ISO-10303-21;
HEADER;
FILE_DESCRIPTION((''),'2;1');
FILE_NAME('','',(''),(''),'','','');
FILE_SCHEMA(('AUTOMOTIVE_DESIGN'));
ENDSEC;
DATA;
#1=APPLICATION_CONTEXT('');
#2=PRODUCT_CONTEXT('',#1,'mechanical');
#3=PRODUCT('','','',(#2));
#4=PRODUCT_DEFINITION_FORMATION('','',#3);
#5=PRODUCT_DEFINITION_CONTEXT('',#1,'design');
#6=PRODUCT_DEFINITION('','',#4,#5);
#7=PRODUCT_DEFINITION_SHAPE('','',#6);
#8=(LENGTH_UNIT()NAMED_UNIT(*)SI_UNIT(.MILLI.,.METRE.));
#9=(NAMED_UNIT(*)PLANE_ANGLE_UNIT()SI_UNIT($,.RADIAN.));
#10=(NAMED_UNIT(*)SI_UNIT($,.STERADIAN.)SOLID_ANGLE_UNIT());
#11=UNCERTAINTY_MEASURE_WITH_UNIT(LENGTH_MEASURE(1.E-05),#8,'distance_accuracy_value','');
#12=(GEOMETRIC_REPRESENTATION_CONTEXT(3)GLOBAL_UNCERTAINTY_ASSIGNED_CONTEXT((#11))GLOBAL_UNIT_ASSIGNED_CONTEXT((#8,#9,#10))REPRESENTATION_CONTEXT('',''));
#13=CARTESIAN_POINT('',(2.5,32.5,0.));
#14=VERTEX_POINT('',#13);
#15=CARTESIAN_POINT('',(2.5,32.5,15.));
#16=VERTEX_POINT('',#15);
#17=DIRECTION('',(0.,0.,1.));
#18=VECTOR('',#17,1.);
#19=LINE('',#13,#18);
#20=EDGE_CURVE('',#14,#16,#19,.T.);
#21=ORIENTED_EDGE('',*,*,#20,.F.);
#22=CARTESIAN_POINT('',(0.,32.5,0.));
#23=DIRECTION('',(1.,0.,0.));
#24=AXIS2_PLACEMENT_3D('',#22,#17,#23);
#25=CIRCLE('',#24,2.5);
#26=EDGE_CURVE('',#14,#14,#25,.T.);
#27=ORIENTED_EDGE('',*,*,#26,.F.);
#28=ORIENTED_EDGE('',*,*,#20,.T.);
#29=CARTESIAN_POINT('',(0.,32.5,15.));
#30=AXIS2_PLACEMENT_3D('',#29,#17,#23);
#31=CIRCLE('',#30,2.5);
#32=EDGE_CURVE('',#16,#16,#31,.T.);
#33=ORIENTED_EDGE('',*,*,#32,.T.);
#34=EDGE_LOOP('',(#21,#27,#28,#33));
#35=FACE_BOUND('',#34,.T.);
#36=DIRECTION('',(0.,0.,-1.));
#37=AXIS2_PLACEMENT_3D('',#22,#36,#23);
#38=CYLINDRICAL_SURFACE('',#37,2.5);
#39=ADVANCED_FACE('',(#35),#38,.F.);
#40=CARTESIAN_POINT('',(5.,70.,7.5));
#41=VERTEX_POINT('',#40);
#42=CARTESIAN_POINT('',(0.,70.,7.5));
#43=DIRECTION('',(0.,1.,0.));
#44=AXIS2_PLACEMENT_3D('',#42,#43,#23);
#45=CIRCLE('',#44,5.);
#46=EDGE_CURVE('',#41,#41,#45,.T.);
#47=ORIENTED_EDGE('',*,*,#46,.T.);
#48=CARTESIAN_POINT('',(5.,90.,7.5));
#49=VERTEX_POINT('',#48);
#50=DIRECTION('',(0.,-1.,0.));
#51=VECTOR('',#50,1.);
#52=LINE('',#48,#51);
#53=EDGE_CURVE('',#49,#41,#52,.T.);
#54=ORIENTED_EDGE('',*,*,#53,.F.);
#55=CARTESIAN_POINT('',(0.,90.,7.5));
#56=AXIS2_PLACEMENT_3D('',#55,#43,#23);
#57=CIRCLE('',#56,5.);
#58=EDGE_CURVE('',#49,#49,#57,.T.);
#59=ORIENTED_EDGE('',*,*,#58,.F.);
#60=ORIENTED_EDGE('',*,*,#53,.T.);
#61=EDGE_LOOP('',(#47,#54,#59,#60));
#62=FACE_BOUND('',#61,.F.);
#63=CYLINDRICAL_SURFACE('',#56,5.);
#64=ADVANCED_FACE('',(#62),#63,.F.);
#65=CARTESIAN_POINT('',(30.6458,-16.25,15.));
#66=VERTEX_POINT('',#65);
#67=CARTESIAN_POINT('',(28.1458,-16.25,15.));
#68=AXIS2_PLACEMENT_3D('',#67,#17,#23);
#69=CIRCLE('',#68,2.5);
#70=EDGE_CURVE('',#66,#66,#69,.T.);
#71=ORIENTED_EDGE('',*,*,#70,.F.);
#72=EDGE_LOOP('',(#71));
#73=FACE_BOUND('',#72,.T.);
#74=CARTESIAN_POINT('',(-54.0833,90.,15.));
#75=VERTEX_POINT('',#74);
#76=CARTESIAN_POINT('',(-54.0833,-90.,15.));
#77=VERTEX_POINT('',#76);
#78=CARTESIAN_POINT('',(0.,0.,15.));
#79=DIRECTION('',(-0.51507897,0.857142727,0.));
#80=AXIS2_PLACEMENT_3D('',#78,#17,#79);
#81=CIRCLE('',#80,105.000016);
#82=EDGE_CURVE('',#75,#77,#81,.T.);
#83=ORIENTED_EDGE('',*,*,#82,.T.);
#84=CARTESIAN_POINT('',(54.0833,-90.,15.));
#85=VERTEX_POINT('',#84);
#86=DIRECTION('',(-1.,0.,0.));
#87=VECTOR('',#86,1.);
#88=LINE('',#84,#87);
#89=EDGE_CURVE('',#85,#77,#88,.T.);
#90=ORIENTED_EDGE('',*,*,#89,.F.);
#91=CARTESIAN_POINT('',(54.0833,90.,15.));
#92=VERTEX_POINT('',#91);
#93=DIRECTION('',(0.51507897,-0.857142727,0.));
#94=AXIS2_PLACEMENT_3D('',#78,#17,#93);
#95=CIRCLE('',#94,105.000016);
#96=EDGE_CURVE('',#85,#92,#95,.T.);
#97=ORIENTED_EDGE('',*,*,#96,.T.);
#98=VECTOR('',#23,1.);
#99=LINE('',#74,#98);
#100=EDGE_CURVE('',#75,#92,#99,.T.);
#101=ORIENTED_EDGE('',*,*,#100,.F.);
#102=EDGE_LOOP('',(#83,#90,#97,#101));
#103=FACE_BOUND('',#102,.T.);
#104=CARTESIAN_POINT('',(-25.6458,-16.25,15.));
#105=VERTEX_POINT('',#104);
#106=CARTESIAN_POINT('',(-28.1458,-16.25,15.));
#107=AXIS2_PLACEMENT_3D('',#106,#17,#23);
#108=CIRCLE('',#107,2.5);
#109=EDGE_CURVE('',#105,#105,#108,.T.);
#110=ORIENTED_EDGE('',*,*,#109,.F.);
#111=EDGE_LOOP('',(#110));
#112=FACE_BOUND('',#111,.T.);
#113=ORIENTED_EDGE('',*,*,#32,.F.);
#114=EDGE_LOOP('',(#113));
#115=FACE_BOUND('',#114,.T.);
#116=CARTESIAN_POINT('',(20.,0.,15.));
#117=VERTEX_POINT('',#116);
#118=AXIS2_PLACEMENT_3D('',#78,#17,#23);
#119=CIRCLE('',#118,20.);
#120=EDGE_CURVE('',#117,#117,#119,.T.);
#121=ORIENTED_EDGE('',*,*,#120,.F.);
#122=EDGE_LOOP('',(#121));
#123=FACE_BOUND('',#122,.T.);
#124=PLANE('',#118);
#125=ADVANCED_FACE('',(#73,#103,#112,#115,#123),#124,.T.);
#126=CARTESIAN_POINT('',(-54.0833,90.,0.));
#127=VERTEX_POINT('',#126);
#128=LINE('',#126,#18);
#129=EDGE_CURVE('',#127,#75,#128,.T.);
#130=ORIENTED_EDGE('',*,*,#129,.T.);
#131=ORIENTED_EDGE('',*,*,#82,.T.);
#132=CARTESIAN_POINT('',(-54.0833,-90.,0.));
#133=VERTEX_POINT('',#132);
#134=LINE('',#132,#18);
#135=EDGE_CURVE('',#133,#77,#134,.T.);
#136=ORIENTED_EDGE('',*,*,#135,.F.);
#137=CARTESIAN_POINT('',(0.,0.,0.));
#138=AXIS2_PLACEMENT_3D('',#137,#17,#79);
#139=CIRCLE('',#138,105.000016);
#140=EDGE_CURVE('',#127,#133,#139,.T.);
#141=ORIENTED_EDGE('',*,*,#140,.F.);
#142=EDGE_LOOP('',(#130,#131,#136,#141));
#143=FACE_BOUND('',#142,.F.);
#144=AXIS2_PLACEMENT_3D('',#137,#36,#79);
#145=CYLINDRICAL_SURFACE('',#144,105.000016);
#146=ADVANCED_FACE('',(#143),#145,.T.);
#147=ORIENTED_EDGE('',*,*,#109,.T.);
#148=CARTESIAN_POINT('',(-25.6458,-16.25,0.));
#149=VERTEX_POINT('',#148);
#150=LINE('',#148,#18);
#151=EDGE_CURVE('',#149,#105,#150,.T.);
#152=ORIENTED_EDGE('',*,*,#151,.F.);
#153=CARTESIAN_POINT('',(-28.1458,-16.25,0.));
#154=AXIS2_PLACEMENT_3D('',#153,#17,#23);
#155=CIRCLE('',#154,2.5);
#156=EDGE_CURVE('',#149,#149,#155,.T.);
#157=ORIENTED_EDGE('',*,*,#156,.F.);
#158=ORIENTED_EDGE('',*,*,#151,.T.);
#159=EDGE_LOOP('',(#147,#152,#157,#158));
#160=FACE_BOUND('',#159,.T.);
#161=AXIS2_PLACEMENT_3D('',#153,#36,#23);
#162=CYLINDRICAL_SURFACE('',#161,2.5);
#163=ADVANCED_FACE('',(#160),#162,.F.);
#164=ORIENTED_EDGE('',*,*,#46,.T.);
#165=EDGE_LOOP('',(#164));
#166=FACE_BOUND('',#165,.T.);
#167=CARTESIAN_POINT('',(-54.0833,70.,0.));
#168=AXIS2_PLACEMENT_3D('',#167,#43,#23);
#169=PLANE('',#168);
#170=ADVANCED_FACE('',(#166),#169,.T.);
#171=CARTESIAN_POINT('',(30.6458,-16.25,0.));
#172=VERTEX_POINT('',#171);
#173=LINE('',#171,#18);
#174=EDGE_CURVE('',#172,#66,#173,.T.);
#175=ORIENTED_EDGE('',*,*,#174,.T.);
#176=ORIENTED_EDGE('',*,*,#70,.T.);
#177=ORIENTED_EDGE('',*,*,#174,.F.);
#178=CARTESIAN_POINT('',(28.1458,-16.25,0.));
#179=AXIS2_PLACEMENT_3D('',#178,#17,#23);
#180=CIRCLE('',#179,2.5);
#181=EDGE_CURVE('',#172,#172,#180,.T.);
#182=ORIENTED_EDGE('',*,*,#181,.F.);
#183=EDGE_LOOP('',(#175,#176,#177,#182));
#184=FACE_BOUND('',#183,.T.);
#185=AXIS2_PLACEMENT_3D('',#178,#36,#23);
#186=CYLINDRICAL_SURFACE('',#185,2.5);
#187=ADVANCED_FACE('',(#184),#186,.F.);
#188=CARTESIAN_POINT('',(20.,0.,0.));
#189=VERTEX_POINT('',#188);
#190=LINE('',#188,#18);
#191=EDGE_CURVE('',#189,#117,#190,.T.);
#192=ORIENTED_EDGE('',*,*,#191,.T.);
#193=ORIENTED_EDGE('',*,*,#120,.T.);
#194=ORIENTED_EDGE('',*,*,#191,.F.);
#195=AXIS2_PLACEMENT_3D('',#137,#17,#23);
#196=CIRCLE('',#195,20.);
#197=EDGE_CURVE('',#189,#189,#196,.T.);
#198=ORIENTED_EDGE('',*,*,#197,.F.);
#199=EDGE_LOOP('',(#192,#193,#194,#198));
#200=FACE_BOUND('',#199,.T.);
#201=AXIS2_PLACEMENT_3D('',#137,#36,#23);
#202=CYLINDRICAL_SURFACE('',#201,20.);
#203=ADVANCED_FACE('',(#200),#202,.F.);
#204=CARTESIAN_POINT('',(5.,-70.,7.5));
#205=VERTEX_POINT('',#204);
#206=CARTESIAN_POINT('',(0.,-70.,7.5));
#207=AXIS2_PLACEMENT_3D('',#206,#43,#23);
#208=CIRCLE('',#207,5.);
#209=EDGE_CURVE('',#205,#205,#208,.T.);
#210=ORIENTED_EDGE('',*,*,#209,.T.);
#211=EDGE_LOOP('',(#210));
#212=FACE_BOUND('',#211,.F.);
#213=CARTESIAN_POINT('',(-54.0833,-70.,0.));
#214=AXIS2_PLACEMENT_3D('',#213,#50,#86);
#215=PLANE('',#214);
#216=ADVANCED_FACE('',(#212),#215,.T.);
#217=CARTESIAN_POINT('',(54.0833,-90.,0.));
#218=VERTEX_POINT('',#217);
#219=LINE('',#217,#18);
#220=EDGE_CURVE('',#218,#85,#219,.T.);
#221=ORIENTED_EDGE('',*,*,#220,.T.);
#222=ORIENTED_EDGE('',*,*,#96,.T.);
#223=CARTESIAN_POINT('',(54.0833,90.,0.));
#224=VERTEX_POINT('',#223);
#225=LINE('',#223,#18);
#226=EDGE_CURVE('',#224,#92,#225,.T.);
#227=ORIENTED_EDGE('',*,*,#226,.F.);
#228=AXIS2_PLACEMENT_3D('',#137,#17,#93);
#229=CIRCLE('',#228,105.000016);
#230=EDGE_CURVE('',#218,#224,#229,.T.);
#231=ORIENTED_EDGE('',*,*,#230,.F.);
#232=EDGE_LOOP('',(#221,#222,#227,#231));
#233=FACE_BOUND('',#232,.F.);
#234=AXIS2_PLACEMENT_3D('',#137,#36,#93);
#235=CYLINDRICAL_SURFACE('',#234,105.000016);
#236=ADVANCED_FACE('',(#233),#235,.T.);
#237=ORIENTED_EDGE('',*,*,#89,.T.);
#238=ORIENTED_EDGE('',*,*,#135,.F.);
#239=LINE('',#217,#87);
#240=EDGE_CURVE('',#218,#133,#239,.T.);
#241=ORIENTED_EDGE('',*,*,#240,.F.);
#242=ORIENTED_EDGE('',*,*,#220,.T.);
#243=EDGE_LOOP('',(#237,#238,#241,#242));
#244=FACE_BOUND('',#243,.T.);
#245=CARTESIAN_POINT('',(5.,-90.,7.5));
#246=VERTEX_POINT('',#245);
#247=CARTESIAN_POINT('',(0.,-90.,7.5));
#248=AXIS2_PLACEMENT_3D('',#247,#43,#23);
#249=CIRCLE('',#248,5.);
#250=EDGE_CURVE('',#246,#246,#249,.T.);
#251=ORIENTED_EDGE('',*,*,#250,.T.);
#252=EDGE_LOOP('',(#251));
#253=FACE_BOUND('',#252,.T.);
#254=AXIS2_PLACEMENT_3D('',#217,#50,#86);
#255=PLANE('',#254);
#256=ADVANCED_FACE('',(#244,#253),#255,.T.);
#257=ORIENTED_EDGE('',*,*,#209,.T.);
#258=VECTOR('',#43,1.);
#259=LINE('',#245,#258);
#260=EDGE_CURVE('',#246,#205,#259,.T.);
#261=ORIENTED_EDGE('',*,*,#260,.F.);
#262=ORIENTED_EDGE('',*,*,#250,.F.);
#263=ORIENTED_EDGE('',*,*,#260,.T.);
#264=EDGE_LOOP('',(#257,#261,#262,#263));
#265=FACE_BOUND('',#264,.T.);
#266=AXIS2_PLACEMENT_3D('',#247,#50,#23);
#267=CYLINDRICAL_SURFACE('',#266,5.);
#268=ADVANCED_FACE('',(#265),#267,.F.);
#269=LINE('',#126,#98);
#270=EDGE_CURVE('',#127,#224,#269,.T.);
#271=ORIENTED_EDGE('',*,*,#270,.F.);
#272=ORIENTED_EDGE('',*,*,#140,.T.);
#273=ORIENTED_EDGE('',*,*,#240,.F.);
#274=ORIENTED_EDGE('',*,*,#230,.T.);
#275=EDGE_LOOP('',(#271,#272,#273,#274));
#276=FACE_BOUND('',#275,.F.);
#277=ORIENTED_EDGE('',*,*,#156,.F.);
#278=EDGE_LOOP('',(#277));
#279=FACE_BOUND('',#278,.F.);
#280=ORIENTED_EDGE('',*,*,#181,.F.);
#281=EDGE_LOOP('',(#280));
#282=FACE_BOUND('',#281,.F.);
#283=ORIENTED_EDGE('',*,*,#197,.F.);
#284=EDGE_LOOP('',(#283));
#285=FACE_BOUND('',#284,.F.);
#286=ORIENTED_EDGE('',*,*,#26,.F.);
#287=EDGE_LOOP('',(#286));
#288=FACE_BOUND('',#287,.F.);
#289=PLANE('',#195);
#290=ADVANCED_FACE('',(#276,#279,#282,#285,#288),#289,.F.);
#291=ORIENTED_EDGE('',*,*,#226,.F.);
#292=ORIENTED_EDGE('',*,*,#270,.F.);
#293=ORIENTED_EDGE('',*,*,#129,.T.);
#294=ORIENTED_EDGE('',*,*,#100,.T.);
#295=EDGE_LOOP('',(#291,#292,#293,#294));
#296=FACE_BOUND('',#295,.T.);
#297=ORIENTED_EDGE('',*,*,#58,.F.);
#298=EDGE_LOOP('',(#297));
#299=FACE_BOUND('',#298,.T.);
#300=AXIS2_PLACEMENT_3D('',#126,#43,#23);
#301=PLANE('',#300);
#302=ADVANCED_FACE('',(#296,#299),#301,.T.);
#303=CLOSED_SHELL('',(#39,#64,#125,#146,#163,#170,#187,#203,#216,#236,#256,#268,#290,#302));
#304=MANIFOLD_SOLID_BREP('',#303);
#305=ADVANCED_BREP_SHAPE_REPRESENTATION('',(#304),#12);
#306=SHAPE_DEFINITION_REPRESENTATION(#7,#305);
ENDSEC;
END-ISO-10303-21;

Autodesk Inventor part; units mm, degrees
ref_plane "YZ Plane" through (0, 0, 0) normal (1, 0, 0) x (0, 1, 0)
ref_plane "XZ Plane" through (0, 0, 0) normal (0, 1, 0) x (-1, 0, 0)
sketch "Boceto1" plane through (0, 0, 0) normal (0, 0, 1) x (1, 0, 0)
  circle A0 centre (0, 0) radius 20
  line L0 (0, 0) -> (0, 37.5) construction
  line L1 (0, 0) -> (-32.476, -18.75) construction
  line L2 (0, 0) -> (32.476, -18.75) construction
  circle A1 centre (0, 0) radius 27.5 construction
  circle A2 centre (0, 32.5) radius 2.5
  circle A3 centre (-28.1458, -16.25) radius 2.5
  circle A4 centre (28.1458, -16.25) radius 2.5
  line L3 (0, 37.5) -> (0, 105) construction
  line L4 (-54.0833, 90) -> (54.0833, 90)
  line L5 (54.0833, -90) -> (-54.0833, -90)
  arc A5 (-54.0833, 90) -> (-54.0833, -90) centre (0, 0) ccw
  arc A6 (54.0833, -90) -> (54.0833, 90) centre (0, 0) ccw
  point P0 (0, 27.5)
  dimension "d2" = 55
  dimension "d1" = 40
  dimension "d3" = 10
  dimension "d4" = 120
  dimension "d5" = 120
  dimension "d6" = 120
  dimension "d7" = 5
  dimension "d8" = 5
  dimension "d11" = 360
  dimension "d13" = 90
  dimension "d16" = 360
  dimension "d18" = 105
extrude "Extrusión1" add sketch "Boceto1" along normal blind 15
sketch "Boceto2" plane through (-54.0833, 90, 0) normal (0, 1, 0) x (1, 0, 0)
  line L0 (54.0833, 0) -> (54.0833, -15) construction
  line L1 (108.1665, -15) -> (0, -15) construction
  line L2 (0, 0) -> (0, -15) construction
  line L3 (0, -7.5) -> (108.1665, -7.5) construction
  line L4 (108.1665, 0) -> (108.1665, -15) construction
  circle A0 centre (54.0833, -7.5) radius 5
  dimension "d21" = 10
extrude "Extrusión2" cut sketch "Boceto2" against normal blind 20
ref_plane "Plano de trabajo1" through (-105, 0, 15) normal (0, 1, 0) x (1, 0, 0)
mirror "Simetría1" about plane through (-105, 0, 15) normal (0, 1, 0) of "Extrusión2"
properties part number "Tapa cvt"
